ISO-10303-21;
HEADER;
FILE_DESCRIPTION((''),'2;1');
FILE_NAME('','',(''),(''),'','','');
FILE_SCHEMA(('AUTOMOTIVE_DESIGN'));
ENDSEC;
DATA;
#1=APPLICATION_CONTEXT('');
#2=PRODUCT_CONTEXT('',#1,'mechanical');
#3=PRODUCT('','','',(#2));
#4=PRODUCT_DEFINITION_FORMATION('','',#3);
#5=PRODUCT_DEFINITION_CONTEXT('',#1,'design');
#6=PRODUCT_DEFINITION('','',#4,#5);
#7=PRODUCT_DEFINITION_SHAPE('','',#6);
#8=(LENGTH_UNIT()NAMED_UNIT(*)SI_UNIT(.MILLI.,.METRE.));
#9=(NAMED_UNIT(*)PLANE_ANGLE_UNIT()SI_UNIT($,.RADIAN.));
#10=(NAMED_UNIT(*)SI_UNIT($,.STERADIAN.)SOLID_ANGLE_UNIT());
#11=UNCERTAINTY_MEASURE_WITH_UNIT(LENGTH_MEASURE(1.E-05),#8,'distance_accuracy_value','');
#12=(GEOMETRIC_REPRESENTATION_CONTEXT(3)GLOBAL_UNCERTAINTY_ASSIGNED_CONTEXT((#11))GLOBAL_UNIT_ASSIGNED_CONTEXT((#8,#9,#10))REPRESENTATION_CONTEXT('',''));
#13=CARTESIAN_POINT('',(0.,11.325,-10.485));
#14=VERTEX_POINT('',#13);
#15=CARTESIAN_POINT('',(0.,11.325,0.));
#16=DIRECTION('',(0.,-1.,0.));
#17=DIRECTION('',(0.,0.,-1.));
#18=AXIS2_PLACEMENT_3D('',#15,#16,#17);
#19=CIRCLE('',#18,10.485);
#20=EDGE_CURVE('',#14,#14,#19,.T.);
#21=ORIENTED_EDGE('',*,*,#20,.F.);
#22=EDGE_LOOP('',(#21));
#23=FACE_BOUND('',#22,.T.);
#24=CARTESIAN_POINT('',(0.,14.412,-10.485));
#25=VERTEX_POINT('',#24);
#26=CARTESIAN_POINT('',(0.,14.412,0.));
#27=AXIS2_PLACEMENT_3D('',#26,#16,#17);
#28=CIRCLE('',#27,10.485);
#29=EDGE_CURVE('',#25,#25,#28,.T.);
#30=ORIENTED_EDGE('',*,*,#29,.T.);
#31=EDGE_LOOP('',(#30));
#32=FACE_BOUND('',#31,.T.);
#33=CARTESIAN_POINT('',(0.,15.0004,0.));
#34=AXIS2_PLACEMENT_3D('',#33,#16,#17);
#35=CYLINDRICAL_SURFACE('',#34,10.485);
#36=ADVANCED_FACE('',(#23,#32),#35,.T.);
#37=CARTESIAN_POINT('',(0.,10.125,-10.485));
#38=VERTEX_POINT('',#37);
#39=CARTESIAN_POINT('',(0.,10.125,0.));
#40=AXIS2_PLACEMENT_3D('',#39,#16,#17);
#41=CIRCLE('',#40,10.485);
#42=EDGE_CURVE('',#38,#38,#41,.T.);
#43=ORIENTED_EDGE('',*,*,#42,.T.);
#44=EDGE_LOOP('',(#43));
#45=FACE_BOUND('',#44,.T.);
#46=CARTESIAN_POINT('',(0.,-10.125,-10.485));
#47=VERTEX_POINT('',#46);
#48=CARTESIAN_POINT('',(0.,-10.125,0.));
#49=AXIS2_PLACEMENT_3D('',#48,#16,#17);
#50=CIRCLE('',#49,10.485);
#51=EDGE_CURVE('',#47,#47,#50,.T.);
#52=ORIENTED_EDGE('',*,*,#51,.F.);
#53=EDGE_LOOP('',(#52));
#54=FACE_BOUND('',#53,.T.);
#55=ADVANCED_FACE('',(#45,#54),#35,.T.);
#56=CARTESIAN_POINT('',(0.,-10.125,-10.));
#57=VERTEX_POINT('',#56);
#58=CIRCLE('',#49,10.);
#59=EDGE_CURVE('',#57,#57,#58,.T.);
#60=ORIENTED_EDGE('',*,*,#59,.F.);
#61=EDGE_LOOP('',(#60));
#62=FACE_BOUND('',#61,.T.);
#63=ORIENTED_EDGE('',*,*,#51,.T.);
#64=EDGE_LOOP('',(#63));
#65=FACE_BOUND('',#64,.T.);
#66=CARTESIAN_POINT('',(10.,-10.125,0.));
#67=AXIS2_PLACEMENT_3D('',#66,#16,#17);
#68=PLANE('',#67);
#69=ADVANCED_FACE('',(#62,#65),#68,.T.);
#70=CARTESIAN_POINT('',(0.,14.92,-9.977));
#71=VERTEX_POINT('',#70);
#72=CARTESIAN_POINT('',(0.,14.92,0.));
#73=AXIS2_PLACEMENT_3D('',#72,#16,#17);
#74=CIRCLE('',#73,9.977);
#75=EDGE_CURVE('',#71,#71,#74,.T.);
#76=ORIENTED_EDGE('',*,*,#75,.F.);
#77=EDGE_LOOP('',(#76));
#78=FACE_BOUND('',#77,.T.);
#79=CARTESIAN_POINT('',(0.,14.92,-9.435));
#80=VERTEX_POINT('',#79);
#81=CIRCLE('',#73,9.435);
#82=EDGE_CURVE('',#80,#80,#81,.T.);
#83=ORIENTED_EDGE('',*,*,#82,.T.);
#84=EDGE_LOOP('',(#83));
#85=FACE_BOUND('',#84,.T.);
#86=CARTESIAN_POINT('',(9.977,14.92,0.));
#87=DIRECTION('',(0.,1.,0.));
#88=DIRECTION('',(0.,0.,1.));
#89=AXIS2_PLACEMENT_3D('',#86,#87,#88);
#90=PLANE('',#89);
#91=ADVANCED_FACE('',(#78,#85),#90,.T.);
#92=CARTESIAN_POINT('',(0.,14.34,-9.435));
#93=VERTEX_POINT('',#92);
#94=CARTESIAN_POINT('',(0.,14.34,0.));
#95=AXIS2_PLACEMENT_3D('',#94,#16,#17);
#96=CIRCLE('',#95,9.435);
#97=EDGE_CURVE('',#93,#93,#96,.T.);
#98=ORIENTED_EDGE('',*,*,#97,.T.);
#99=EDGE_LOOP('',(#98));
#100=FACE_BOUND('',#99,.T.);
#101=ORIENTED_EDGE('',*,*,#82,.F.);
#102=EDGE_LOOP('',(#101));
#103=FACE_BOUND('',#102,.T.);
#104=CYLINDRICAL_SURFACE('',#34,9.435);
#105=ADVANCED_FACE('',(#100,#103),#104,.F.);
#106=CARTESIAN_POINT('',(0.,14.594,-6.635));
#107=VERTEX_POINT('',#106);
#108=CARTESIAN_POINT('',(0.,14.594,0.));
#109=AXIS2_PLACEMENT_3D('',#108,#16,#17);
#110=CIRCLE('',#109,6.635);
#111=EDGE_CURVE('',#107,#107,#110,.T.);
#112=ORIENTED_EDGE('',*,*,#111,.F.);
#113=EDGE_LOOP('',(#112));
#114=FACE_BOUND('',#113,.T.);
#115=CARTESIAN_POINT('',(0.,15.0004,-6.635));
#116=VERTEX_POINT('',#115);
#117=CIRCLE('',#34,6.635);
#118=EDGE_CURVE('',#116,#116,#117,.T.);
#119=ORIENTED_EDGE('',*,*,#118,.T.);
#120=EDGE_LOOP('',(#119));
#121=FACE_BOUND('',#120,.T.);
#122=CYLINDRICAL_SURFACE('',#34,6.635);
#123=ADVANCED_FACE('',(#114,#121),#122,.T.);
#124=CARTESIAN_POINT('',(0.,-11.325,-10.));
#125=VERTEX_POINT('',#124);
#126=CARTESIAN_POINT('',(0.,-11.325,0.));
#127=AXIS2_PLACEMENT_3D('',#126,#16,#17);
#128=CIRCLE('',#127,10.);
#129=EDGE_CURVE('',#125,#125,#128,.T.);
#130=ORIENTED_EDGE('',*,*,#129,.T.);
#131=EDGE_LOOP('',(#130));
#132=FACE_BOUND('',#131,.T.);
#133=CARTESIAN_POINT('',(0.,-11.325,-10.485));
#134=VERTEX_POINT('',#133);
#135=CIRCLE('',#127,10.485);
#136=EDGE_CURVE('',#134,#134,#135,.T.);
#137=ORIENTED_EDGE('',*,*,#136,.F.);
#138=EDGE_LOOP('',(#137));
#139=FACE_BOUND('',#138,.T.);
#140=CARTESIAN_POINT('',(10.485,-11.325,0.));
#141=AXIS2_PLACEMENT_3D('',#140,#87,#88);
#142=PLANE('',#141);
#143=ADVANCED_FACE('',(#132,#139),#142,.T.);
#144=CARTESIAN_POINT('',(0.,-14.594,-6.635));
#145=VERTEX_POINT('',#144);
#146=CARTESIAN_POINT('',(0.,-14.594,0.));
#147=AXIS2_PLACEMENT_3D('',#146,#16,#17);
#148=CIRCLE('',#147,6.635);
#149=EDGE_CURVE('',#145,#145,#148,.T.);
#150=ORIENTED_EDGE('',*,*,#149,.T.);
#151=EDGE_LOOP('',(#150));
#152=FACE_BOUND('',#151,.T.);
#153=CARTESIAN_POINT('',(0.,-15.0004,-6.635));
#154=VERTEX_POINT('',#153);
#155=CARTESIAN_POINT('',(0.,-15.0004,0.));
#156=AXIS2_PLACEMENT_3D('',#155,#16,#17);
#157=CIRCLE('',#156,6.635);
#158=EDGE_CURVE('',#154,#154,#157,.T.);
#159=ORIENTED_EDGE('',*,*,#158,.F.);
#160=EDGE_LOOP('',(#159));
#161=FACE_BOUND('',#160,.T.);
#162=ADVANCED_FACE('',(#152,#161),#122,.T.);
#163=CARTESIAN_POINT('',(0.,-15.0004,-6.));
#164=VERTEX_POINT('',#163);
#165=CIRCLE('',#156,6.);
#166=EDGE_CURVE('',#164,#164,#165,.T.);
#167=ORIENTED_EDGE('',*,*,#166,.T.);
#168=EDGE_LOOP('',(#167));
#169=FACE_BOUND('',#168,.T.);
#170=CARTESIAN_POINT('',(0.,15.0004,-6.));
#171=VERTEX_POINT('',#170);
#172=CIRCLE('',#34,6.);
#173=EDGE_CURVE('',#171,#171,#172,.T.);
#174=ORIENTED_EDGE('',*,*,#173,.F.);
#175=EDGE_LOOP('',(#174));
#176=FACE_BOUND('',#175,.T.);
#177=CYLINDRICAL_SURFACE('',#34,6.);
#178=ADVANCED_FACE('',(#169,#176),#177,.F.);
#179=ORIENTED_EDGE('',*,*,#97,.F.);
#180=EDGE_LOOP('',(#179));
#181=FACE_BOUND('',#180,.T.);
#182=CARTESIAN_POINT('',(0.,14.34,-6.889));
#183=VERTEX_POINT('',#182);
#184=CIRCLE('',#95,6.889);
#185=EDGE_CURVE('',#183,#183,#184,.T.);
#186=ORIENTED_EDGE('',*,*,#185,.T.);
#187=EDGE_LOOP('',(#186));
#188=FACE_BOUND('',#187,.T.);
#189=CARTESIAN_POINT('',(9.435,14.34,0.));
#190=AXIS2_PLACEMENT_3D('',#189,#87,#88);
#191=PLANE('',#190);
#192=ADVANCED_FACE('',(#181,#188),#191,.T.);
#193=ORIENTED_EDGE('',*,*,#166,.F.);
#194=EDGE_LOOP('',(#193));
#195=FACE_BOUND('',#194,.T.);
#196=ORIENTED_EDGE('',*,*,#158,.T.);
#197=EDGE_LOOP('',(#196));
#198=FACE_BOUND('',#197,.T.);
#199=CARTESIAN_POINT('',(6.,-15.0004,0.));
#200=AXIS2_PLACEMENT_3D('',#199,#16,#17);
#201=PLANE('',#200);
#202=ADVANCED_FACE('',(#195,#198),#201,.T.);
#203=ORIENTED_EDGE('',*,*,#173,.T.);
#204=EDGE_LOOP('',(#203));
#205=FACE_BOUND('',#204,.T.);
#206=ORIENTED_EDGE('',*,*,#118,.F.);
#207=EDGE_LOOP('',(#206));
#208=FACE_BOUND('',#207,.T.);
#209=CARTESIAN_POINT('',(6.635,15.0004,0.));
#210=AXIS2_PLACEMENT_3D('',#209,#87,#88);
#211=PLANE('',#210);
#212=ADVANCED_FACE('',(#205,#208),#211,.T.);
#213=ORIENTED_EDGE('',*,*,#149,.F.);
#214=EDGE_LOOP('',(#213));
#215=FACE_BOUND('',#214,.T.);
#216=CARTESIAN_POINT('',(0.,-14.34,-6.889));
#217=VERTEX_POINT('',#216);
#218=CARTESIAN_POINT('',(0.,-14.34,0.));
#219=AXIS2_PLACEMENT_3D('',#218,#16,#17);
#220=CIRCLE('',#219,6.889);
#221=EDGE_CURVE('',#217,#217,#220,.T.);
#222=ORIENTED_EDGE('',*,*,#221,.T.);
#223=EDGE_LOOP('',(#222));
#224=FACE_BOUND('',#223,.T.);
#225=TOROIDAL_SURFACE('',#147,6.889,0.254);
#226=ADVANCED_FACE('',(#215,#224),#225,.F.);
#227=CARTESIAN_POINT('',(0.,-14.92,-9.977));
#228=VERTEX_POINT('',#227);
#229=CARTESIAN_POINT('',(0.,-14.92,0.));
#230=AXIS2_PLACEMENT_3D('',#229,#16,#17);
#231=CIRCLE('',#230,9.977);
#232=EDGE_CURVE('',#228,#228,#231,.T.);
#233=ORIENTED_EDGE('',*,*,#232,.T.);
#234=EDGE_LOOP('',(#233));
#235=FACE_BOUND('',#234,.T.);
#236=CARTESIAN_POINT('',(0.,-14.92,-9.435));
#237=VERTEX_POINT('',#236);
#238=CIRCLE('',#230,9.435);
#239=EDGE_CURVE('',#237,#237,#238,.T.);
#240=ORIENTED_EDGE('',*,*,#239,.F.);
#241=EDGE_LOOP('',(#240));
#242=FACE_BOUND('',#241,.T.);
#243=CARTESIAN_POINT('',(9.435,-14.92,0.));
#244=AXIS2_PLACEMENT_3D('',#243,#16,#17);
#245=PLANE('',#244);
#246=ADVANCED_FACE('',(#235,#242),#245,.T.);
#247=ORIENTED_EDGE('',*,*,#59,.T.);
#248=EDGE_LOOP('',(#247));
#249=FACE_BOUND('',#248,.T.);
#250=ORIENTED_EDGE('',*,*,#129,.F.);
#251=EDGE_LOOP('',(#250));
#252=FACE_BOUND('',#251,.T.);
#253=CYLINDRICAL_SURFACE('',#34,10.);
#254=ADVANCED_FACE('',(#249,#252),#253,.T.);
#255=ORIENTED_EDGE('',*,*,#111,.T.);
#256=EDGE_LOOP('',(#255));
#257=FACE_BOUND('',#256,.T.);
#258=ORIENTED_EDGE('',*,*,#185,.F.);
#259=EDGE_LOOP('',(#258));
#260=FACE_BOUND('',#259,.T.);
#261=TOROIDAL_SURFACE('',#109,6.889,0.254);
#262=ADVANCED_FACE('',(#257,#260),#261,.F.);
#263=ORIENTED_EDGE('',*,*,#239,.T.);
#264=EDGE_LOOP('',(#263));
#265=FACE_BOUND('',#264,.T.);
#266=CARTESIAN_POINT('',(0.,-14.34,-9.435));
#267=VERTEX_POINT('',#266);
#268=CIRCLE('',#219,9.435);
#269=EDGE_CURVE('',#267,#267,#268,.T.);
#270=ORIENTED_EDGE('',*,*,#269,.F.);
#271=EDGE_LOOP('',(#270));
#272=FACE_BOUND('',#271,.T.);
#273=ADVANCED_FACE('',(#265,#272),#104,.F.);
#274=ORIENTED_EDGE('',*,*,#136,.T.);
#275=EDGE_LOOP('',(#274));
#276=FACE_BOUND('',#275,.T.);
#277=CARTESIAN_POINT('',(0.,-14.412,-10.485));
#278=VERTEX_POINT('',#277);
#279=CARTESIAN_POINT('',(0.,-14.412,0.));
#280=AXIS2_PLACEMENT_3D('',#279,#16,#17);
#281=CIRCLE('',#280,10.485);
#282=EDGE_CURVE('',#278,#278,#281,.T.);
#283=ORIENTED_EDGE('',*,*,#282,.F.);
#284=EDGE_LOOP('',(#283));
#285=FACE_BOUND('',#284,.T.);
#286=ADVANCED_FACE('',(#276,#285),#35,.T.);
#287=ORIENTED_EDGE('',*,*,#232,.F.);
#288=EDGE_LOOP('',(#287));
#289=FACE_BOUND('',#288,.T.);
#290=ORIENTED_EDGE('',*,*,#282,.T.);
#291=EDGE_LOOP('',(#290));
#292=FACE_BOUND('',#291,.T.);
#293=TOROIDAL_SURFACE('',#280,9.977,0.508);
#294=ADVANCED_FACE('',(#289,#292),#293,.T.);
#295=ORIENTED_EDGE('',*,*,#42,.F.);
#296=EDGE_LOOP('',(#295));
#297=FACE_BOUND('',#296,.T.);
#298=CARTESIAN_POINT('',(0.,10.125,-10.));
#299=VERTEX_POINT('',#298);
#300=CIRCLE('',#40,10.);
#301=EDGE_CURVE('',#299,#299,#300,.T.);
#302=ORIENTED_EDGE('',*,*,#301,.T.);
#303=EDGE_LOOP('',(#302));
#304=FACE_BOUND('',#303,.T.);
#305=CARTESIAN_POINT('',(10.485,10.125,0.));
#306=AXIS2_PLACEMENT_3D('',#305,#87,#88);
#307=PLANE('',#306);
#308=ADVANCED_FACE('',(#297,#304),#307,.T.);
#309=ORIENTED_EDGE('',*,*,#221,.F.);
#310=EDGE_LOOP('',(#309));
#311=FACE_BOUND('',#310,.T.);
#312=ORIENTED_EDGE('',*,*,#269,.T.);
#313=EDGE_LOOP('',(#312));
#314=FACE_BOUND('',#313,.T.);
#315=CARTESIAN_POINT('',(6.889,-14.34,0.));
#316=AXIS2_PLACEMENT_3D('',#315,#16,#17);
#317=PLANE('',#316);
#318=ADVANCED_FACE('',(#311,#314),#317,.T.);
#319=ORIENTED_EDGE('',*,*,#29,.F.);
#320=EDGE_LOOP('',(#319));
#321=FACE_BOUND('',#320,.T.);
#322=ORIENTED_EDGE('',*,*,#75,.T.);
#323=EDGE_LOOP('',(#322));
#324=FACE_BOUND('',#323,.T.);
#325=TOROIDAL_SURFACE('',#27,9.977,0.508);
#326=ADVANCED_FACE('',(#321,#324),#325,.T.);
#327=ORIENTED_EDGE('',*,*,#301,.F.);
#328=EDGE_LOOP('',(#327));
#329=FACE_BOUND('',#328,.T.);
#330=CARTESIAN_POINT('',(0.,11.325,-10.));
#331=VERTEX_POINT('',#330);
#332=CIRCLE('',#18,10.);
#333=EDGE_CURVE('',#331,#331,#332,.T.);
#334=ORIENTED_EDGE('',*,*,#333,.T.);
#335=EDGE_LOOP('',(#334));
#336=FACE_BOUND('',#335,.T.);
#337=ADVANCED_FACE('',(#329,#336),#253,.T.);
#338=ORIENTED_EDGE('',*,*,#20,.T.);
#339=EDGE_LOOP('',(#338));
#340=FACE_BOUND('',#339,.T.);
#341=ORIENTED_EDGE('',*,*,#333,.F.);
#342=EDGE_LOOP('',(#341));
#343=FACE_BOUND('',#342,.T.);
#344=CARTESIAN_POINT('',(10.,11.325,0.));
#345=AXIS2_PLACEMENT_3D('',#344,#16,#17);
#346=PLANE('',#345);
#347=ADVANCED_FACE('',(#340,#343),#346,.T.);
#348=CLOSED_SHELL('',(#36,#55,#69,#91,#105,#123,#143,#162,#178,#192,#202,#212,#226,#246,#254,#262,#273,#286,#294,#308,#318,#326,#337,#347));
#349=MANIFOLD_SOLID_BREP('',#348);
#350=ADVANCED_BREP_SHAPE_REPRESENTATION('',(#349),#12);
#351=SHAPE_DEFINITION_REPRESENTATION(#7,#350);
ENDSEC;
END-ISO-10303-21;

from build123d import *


with BuildPart() as part:
    # Sketch1 → Revolve1 (revolve)
    with BuildSketch(Plane.XY, mode=Mode.PRIVATE) as revolve1_sk:
        with BuildLine():
            Line((6.635, 15.0004), (6, 15.0004))
            Line((6, 15.0004), (6, -15.0004))
            Line((6, -15.0004), (6.635, -15.0004))
            Line((6.635, -15.0004), (6.635, -14.594))
            ThreePointArc((6.635, -14.594), (6.709394878, -14.414394878), (6.889, -14.34))
            Line((6.889, -14.34), (9.435, -14.34))
            Line((9.435, -14.34), (9.435, -14.92))
            Line((9.435, -14.92), (9.977, -14.92))
            ThreePointArc((9.977, -14.92), (10.336210245, -14.771210245), (10.485, -14.412))
            Line((10.485, -14.412), (10.485, -11.325))
            Line((10.485, -11.325), (10, -11.325))
            Line((10, -11.325), (10, -10.125))
            Line((10, -10.125), (10.485, -10.125))
            Line((10.485, -10.125), (10.485, 10.125))
            Line((10.485, 10.125), (10, 10.125))
            Line((10, 10.125), (10, 11.325))
            Line((10, 11.325), (10.485, 11.325))
            Line((10.485, 11.325), (10.485, 14.412))
            ThreePointArc((10.485, 14.412), (10.336210245, 14.771210245), (9.977, 14.92))
            Line((9.977, 14.92), (9.435, 14.92))
            Line((9.435, 14.92), (9.435, 14.34))
            Line((9.435, 14.34), (6.889, 14.34))
            ThreePointArc((6.889, 14.34), (6.709394878, 14.414394878), (6.635, 14.594))
            Line((6.635, 14.594), (6.635, 15.0004))
        make_face()
    revolve(revolve1_sk.sketch.rotate(Axis((0, 15.0004, 0), (0, -1, 0)), 270), axis=Axis((0, 15.0004, 0), (0, -1, 0)))


solid = part.part
